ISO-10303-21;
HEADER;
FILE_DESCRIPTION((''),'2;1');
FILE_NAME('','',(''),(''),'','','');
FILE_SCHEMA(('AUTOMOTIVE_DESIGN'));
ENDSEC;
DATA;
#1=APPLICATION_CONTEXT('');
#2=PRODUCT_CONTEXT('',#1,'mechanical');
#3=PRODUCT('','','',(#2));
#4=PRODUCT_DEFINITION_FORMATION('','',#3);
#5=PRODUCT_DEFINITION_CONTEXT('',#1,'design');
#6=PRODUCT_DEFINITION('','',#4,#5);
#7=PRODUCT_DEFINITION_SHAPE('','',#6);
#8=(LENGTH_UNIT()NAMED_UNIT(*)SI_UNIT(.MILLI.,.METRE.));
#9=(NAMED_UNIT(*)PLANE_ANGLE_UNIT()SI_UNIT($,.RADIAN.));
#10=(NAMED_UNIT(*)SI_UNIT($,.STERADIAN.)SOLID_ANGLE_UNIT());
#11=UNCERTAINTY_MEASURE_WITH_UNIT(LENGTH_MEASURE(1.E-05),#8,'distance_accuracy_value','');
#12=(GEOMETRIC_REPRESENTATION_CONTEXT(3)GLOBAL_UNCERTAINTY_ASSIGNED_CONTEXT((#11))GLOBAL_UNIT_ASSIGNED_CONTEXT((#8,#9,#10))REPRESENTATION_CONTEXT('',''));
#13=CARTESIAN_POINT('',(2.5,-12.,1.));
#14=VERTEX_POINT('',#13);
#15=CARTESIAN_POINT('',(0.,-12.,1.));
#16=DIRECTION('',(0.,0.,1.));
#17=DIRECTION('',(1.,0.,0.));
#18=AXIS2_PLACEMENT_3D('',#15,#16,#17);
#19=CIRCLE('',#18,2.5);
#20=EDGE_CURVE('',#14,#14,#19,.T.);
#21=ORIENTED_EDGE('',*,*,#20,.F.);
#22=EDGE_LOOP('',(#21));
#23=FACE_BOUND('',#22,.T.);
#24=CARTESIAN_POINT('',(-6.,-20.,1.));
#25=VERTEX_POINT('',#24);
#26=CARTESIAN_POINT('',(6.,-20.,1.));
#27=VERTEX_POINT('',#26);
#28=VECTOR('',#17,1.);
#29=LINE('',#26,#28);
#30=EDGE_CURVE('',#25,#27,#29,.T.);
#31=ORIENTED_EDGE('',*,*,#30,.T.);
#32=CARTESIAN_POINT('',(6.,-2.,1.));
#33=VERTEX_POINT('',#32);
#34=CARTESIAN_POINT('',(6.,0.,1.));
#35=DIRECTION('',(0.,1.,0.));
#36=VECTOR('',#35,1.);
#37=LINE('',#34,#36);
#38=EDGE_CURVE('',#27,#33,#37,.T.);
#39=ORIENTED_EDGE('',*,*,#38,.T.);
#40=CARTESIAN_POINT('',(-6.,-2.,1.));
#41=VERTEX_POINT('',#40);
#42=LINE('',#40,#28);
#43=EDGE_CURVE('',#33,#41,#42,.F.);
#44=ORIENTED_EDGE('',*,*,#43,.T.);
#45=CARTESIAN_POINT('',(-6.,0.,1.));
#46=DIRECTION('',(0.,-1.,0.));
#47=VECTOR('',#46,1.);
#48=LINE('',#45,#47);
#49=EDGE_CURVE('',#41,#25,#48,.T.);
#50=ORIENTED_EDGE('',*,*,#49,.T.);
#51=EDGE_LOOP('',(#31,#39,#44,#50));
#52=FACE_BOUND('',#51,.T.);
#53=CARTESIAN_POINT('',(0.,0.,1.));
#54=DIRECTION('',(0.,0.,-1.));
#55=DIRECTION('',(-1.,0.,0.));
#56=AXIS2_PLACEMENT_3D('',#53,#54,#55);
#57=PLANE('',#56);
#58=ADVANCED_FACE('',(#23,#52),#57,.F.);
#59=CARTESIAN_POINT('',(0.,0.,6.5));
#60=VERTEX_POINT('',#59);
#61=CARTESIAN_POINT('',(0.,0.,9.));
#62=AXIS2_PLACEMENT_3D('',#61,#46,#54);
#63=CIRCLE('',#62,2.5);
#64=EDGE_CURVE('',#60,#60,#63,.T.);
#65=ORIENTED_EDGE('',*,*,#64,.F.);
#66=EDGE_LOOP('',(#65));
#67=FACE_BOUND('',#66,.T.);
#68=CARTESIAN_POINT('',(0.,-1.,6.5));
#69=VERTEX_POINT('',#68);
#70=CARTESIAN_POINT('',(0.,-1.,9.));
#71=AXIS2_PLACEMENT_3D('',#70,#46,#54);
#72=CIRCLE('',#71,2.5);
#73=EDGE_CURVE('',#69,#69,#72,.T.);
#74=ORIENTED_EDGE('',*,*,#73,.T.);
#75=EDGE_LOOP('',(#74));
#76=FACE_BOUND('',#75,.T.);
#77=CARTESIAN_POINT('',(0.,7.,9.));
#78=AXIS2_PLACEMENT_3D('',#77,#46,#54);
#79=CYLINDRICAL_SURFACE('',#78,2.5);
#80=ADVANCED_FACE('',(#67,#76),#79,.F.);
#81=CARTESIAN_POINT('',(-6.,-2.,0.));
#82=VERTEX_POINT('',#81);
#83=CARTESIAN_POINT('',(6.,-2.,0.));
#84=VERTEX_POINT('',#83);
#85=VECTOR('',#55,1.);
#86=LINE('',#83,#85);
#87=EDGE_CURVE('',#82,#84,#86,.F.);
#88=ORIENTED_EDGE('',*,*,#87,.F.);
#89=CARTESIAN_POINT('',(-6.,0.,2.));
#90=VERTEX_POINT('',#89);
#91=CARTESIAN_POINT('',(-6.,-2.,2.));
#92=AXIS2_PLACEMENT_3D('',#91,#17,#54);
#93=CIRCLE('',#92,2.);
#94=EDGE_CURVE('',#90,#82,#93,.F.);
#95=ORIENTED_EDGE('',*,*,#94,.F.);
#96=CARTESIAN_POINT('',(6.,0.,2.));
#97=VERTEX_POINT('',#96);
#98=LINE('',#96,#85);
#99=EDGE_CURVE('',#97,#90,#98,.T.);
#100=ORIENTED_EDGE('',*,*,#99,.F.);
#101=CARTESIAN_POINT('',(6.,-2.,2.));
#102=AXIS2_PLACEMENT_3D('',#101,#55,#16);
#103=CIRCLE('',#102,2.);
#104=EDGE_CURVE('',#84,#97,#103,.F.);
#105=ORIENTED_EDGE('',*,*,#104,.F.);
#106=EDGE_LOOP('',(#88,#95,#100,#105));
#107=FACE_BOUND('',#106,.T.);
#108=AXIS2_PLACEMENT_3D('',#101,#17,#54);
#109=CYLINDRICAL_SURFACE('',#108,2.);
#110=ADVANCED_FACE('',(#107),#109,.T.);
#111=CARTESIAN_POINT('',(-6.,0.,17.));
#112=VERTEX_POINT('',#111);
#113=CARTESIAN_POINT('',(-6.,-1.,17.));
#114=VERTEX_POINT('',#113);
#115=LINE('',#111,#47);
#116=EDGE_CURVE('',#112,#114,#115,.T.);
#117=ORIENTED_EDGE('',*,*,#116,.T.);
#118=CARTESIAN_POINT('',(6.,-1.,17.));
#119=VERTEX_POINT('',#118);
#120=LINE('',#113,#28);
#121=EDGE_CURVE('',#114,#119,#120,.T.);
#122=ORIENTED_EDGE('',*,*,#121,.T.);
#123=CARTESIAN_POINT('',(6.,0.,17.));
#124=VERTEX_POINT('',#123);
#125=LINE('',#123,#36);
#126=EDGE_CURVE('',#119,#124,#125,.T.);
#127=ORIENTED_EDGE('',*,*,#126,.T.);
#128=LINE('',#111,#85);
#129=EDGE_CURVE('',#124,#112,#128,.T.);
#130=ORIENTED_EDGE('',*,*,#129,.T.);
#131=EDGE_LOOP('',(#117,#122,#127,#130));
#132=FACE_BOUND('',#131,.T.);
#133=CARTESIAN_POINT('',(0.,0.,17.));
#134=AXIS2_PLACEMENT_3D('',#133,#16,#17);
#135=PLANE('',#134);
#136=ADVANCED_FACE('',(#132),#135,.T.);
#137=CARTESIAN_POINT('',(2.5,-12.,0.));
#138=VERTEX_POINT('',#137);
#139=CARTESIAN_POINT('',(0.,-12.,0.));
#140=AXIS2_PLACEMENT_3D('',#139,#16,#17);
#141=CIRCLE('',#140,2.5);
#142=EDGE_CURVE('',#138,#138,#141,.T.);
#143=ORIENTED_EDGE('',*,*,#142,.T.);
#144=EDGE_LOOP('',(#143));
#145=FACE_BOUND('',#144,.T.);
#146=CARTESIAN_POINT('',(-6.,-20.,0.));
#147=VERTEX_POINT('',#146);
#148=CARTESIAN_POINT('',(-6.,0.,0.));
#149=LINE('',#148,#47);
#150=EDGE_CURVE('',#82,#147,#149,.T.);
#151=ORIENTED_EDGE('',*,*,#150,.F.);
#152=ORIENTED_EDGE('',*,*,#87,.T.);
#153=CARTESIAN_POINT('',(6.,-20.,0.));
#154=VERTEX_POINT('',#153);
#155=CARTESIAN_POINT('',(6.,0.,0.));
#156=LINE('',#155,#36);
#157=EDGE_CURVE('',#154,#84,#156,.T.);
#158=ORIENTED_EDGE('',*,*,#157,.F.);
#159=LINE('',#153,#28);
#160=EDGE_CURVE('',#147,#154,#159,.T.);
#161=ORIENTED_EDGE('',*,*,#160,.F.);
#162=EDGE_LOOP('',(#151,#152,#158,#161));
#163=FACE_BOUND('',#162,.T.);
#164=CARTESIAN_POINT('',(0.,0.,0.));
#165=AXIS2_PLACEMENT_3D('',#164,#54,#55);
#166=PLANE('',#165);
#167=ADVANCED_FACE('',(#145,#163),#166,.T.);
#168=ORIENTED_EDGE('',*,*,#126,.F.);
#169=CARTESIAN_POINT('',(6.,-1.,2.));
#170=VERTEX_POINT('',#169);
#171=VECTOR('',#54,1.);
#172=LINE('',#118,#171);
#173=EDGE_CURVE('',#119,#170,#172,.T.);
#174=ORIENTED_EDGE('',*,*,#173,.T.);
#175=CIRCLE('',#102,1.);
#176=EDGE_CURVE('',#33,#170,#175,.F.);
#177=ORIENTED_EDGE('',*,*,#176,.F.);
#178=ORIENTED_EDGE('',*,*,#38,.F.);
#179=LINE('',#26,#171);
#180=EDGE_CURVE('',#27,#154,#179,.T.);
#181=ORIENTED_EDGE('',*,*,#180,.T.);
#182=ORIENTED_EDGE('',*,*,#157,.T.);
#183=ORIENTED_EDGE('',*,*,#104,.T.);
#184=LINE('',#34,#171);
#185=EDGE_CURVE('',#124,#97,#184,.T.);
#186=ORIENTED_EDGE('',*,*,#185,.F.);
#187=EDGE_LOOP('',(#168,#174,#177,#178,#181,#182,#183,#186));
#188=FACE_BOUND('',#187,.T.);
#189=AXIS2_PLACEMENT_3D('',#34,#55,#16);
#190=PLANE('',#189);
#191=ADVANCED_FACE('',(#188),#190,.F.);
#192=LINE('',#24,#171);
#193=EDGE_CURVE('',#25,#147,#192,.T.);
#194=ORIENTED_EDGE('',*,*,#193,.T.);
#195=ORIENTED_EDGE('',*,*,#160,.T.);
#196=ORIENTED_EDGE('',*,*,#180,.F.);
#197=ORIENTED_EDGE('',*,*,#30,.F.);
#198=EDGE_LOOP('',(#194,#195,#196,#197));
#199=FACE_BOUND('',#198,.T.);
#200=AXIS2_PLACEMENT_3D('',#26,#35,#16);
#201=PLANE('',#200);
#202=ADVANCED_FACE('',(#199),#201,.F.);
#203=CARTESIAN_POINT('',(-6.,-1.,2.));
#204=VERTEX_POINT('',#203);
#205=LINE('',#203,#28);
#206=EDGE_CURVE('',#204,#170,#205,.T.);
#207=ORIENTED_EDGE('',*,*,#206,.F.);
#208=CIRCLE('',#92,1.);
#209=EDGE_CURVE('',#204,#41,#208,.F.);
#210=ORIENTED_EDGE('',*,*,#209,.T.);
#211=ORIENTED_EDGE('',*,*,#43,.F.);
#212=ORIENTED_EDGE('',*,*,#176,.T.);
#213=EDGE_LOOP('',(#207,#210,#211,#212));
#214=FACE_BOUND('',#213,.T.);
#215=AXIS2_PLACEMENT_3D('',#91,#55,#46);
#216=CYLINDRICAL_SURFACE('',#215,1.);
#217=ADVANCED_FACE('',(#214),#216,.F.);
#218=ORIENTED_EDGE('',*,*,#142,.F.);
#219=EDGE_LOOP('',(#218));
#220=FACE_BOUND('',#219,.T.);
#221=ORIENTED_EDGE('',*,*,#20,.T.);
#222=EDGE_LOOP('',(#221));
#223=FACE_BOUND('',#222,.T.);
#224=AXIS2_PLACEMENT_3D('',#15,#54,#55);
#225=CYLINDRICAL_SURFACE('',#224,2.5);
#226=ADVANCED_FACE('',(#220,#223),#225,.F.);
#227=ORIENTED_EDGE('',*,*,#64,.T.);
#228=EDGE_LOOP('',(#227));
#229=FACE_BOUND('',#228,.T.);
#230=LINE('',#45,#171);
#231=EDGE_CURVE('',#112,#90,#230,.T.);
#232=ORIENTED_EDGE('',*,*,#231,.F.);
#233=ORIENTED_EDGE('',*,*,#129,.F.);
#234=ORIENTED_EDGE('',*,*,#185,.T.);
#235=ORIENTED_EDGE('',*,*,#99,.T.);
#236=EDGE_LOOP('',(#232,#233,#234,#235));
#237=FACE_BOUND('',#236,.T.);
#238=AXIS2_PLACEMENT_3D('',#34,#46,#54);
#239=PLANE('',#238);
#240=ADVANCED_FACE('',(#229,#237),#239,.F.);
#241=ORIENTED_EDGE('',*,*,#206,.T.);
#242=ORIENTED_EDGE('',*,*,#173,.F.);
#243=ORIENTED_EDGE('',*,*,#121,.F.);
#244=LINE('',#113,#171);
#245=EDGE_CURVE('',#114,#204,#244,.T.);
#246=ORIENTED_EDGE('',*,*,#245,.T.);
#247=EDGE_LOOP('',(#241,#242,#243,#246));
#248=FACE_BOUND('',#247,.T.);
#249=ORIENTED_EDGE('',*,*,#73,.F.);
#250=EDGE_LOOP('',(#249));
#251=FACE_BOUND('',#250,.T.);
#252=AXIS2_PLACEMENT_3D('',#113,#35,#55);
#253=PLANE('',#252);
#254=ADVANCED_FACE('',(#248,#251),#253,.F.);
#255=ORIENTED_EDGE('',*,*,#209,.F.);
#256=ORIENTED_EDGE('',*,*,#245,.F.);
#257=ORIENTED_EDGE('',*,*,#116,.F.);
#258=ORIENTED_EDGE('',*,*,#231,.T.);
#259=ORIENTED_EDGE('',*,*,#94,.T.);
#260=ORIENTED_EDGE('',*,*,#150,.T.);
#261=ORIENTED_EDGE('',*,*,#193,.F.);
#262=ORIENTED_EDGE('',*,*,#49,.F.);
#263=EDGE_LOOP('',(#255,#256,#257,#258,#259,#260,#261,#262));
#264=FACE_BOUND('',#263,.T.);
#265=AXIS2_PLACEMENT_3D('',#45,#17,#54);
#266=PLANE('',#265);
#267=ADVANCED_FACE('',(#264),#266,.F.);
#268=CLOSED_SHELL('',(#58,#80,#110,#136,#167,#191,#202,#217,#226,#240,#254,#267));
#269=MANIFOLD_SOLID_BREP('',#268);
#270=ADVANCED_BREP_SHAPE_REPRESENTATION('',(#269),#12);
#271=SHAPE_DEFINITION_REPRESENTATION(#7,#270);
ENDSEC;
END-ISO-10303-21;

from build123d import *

# Parameters (mm, degrees)
CROQUIS1_W              = 12
CROQUIS1_H              = 20
CROQUIS1_R              = 2.5
SALIENTE_EXTRUIR1_DEPTH = 1
CROQUIS2_W              = 12
CROQUIS2_H              = 1
SALIENTE_EXTRUIR2_DEPTH = 16
CROQUIS3_R              = 2.5
CORTAR_EXTRUIR1_DEPTH   = 8
REDONDEO2_R             = 1
REDONDEO3_R             = 2


with BuildPart() as part:
    # Croquis1 → Saliente-Extruir1 (new body)
    with BuildSketch(Plane.XY):
        with Locations((0, -10)):
            Rectangle(CROQUIS1_W, CROQUIS1_H)
        with Locations((0, -12)):
            Circle(CROQUIS1_R, mode=Mode.SUBTRACT)
    extrude(amount=SALIENTE_EXTRUIR1_DEPTH)

    # Croquis2 → Saliente-Extruir2 (add)
    with BuildSketch(Plane.XY.offset(1)):
        with Locations((0, -0.5)):
            Rectangle(CROQUIS2_W, CROQUIS2_H)
    extrude(amount=SALIENTE_EXTRUIR2_DEPTH)

    # Croquis3 → Cortar-Extruir1 (cut)
    with BuildSketch(Plane.XZ.offset(1)):
        with Locations(Location((0, 9, 0), (0, 0, 270))):
            Circle(CROQUIS3_R)
    extrude(amount=-CORTAR_EXTRUIR1_DEPTH, mode=Mode.SUBTRACT)

    # Redondeo2
    redondeo2_edges = [part.edges().sort_by_distance(p)[0] for p in [
        (0, -1, 1),
    ]]
    fillet(redondeo2_edges, radius=REDONDEO2_R)

    # Redondeo3
    redondeo3_edges = [part.edges().sort_by_distance(p)[0] for p in [
        (0, 0, 0),
    ]]
    fillet(redondeo3_edges, radius=REDONDEO3_R)


solid = part.part
